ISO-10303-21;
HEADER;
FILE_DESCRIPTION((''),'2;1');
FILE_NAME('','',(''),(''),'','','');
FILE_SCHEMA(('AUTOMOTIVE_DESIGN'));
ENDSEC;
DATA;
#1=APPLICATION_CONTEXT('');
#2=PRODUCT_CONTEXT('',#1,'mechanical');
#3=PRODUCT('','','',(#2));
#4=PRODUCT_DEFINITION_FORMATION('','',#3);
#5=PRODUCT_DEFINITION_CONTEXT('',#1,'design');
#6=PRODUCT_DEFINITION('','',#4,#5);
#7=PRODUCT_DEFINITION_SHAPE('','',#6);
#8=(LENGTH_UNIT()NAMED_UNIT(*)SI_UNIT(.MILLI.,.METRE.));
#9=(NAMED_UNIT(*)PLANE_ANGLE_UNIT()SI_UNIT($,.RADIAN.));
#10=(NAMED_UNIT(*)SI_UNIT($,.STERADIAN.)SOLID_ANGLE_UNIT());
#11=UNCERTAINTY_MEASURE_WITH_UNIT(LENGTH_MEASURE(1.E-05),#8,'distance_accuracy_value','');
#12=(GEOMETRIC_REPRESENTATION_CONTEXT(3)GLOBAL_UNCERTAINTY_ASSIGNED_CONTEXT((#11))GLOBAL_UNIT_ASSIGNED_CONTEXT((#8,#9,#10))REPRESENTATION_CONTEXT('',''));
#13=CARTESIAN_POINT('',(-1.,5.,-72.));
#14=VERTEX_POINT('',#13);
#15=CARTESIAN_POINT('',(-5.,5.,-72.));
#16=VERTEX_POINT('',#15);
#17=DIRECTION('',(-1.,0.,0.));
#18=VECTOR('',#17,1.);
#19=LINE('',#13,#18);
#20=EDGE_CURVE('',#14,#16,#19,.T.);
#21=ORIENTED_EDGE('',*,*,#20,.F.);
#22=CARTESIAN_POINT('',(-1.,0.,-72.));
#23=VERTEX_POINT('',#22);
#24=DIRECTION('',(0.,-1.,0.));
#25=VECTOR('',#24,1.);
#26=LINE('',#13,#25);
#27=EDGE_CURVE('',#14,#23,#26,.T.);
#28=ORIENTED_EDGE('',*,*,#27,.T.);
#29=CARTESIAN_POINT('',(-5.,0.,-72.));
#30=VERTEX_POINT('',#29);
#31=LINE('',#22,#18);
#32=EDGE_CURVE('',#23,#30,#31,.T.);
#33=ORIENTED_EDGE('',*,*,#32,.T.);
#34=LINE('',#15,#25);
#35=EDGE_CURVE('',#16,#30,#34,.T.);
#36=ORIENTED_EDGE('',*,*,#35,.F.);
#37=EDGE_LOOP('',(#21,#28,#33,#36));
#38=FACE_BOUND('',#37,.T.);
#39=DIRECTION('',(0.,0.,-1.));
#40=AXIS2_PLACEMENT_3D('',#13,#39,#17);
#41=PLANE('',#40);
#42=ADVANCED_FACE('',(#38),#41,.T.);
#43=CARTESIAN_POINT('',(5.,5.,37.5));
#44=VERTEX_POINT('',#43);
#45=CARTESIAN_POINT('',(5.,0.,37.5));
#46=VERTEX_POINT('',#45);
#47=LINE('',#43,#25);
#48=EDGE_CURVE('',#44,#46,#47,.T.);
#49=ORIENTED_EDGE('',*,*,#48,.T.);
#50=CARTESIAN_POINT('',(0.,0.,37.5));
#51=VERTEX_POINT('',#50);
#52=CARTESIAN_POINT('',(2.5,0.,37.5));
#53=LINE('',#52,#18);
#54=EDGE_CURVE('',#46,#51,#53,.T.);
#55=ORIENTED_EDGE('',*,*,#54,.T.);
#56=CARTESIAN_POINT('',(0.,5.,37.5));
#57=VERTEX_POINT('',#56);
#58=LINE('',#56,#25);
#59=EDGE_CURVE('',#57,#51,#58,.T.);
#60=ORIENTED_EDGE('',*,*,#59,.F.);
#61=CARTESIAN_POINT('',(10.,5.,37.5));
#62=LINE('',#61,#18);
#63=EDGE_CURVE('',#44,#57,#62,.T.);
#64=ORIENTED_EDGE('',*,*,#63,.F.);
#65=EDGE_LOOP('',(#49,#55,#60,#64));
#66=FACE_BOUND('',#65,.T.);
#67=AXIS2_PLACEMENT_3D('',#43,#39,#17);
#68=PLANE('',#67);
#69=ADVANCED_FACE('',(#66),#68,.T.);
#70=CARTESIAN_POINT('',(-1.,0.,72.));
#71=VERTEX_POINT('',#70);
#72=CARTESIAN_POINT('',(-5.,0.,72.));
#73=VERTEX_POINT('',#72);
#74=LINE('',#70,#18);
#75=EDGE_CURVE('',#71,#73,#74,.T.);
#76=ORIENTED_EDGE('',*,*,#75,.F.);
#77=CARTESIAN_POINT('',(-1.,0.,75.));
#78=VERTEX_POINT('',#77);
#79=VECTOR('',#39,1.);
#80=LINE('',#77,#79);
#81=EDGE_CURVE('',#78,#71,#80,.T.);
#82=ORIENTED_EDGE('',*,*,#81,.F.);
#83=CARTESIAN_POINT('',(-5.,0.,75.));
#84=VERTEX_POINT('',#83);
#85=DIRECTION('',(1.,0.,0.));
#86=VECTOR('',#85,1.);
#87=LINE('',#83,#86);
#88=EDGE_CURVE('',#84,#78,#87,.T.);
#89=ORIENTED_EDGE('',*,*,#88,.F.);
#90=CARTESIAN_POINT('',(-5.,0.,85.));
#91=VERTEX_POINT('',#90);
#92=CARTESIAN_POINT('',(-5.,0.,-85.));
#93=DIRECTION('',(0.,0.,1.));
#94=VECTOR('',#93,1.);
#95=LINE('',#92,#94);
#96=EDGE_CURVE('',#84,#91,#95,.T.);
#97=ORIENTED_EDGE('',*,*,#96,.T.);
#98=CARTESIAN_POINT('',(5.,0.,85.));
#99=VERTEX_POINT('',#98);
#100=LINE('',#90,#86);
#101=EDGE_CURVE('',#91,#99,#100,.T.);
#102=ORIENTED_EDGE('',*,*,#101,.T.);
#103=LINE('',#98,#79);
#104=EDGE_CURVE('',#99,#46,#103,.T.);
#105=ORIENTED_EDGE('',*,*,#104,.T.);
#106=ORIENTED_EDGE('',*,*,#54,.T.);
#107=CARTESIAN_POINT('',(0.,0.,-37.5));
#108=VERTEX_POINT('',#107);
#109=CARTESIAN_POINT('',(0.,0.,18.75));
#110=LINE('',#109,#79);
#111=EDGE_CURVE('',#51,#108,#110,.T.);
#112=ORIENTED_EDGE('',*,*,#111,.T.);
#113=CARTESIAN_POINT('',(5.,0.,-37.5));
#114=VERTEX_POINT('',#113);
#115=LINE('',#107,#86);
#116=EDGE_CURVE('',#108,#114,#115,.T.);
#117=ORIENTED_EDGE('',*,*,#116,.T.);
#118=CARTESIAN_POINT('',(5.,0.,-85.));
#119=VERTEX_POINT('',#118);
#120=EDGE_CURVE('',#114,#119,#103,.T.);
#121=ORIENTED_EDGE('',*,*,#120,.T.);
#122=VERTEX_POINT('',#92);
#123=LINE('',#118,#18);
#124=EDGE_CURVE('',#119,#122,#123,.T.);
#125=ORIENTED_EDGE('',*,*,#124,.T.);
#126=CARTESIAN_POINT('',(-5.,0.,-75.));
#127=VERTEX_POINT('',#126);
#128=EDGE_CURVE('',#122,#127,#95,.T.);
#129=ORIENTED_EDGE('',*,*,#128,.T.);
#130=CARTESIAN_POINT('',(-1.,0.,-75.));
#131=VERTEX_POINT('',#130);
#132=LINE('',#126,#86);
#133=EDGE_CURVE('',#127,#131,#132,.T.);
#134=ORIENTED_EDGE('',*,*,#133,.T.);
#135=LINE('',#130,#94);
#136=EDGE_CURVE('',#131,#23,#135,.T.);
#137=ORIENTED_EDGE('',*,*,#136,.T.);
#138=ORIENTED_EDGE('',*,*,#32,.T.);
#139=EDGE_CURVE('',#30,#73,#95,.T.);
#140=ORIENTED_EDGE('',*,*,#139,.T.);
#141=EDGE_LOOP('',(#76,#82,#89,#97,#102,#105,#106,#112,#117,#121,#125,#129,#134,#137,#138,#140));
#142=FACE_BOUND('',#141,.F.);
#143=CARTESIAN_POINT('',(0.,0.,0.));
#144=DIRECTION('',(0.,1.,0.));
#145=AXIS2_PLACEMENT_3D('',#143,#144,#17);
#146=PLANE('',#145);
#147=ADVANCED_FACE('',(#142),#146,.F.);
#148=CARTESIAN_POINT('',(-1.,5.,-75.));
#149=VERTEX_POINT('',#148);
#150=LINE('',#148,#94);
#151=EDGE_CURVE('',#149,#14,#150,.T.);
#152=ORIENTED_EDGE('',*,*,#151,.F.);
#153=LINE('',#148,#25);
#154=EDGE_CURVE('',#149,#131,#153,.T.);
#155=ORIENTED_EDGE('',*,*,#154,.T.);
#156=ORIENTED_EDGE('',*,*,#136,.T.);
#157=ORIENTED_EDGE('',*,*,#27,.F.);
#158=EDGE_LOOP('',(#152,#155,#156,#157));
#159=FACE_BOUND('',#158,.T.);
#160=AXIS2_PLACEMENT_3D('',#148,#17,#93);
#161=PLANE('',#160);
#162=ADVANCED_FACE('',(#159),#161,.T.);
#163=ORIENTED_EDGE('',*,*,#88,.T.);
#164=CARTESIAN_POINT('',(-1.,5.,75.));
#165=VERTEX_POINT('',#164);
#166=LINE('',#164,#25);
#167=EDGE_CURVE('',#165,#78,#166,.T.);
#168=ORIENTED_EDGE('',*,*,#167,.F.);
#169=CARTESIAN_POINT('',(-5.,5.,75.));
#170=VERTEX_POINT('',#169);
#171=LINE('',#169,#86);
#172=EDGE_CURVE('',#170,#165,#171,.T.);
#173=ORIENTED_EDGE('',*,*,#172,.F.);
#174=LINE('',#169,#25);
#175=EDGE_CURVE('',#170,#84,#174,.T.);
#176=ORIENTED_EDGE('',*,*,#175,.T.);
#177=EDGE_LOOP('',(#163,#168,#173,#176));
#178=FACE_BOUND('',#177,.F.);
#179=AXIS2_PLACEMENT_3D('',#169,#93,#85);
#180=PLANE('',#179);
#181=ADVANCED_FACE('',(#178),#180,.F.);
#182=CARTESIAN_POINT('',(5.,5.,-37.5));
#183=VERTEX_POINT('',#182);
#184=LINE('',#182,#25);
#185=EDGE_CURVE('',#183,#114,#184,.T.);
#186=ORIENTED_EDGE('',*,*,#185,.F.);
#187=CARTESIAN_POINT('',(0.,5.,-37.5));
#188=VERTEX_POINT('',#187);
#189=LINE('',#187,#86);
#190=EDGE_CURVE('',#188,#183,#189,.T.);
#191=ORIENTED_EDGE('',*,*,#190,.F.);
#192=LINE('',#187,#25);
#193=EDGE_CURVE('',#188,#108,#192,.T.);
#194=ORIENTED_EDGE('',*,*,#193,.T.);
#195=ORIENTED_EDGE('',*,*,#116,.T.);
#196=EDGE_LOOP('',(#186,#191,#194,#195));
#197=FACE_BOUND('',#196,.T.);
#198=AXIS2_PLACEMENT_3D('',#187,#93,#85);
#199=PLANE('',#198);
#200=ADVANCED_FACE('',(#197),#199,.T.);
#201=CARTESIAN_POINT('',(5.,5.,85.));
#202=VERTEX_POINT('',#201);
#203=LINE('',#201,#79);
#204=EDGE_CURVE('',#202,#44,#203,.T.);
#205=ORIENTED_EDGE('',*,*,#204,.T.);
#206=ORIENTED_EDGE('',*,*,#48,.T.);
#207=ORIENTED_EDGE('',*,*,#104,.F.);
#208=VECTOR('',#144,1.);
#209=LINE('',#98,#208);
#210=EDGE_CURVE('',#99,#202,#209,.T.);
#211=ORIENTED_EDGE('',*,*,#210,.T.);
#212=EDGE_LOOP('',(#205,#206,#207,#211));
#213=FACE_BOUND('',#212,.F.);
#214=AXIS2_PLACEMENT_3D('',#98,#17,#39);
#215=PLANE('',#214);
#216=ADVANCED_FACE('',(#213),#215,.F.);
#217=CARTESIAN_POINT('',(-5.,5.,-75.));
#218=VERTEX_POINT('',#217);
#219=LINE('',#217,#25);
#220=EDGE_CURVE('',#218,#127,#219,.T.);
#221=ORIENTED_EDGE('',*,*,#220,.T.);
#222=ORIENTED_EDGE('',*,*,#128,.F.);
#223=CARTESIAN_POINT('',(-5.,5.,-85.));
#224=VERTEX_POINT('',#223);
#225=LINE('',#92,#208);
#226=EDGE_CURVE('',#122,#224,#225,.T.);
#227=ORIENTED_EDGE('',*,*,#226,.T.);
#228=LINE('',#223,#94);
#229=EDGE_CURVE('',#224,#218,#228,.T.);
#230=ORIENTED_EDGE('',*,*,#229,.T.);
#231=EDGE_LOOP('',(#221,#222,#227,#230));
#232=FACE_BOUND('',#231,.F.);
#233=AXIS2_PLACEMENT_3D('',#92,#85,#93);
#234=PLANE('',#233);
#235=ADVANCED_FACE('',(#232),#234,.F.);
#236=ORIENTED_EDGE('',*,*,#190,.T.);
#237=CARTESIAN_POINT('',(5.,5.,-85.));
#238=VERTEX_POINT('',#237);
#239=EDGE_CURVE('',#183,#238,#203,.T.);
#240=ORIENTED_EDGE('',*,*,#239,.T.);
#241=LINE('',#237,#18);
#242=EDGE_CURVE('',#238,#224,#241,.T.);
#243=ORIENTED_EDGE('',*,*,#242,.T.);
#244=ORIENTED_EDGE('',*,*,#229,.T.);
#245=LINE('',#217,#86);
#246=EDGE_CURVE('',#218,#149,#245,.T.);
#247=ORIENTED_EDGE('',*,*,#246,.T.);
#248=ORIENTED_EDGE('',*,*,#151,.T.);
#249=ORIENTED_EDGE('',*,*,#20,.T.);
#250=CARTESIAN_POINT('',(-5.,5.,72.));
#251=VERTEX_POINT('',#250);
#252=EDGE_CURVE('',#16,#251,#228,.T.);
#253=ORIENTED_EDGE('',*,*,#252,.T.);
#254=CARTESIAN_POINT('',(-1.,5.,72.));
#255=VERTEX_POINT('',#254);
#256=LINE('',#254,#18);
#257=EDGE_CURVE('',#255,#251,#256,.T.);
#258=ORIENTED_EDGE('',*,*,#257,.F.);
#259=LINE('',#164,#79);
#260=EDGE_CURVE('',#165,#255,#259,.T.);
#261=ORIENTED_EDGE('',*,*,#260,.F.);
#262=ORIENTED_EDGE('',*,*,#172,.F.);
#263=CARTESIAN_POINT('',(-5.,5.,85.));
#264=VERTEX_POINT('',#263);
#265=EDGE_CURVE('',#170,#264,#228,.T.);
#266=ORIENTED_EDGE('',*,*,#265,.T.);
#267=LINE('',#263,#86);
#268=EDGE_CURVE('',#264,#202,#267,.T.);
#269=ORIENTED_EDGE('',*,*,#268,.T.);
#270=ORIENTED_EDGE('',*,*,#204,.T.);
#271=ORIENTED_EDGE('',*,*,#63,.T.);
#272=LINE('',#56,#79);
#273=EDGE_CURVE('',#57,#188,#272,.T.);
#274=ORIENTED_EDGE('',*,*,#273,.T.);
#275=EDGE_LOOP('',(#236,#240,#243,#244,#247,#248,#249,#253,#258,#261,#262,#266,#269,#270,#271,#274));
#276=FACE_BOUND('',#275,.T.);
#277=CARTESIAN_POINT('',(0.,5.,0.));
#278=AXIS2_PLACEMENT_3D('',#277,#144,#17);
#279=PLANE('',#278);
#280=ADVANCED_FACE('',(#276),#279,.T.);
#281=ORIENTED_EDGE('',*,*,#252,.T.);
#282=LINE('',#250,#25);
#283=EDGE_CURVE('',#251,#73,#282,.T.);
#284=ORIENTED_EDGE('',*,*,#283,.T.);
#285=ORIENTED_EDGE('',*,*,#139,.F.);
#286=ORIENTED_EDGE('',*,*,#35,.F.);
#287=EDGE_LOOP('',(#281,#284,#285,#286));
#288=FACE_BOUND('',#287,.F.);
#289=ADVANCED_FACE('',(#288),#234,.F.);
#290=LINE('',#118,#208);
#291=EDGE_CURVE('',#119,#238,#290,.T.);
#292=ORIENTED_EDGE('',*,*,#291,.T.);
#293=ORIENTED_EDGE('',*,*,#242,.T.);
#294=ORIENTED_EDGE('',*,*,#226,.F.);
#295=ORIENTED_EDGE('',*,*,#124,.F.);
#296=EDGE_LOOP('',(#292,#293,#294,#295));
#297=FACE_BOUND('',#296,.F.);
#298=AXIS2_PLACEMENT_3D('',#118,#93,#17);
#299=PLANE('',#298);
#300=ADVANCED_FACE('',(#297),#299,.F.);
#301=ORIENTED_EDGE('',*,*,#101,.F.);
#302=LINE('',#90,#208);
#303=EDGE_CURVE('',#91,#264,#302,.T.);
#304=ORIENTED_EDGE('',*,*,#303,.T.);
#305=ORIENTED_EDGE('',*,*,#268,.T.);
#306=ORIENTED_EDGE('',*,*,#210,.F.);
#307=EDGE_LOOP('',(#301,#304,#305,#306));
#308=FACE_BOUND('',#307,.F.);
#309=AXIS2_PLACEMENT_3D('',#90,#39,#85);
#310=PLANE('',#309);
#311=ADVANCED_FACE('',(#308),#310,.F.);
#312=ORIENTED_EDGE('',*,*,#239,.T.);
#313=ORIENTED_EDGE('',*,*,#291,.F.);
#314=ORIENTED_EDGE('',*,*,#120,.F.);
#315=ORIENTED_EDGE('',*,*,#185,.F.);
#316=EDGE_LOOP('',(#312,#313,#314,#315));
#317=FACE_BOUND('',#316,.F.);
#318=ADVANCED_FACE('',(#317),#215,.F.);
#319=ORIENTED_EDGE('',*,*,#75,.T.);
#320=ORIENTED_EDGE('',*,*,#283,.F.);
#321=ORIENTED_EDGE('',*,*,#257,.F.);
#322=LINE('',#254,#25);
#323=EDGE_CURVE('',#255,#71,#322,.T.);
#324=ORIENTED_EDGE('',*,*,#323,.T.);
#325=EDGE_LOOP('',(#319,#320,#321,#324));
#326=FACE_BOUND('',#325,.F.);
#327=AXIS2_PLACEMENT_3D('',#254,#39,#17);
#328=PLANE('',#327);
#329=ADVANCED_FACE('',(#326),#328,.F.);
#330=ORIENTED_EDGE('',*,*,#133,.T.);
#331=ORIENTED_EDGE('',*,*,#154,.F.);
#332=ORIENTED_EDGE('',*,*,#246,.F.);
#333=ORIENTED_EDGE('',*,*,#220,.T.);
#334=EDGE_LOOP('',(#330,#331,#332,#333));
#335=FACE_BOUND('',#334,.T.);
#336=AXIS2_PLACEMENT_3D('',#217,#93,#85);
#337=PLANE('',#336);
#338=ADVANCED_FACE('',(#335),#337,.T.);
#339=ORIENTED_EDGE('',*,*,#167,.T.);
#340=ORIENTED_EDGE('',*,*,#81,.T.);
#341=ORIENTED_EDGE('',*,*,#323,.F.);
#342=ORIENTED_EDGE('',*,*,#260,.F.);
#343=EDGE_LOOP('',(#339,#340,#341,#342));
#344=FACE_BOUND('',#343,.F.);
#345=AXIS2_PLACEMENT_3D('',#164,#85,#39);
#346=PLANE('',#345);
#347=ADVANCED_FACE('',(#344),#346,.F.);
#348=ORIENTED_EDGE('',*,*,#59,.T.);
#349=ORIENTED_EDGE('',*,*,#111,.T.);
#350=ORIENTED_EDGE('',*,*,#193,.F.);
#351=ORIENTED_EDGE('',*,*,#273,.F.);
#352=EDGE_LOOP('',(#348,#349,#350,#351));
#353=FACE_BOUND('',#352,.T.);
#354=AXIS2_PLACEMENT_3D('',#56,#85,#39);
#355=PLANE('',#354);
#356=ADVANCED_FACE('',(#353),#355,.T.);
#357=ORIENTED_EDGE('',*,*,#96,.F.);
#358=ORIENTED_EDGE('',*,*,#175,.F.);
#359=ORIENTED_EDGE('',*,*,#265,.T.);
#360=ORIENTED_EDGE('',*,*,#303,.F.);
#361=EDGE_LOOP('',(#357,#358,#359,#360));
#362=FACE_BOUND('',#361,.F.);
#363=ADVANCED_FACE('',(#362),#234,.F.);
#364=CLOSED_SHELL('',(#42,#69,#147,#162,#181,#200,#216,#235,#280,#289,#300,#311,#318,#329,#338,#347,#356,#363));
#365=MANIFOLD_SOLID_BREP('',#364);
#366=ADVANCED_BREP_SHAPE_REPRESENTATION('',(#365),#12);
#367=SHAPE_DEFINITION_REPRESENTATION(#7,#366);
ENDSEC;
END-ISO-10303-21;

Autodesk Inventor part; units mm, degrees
ref_plane "YZ Plane" through (0, 0, 0) normal (1, 0, 0) x (0, 1, 0)
ref_plane "XZ Plane" through (0, 0, 0) normal (0, 1, 0) x (-1, 0, 0)
ref_plane "XY Plane" through (0, 0, 0) normal (0, 0, 1) x (1, 0, 0)
sketch "Sketch1" plane through (0, 0, 0) normal (0, 1, 0) x (-1, 0, 0)
  line L0 (5, 85) -> (-5, 85)
  line L1 (-5, 85) -> (-5, -85)
  line L2 (-5, -85) -> (5, -85)
  line L3 (5, -85) -> (5, 85)
  line L4 (5, 85) -> (-5, -85) construction
  line L5 (-5, 85) -> (5, -85) construction
  point P0 (0, 0)
  dimension "d0" = 170
  dimension "d1" = 10
extrude "Extrusion1" add sketch "Sketch1" along normal blind 5
sketch "Sketch2" plane through (0, 5, 0) normal (0, 1, 0) x (1, 0, 0)
  line L0 (-5, 85) -> (-5, -85) projected
  line L1 (-5, -75) -> (-1, -75)
  line L2 (-1, -75) -> (-1, -72)
  line L3 (-1, -72) -> (-5, -72)
  line L4 (-5, -72) -> (-5, -75)
  line L5 (-5, -85) -> (5, -85) projected
  line L6 (5, 0) -> (-5, 0) construction
  line L7 (-5, 75) -> (-1, 75)
  line L8 (-1, 75) -> (-1, 72)
  line L9 (-1, 72) -> (-5, 72)
  line L10 (-5, 72) -> (-5, 75)
  point P0 (0, 0)
  point P1 (-5, 75)
  point P2 (-5, 72)
  dimension "d4" = 3
  dimension "d5" = 4
  dimension "d6" = 10
extrude "Extrusion2" cut sketch "Sketch2" against normal blind 5
sketch "Sketch3" plane through (0, 5, 0) normal (0, 1, 0) x (1, 0, 0)
  line L0 (0, 37.5) -> (10, 37.5)
  line L1 (10, 37.5) -> (10, -37.5)
  line L2 (10, -37.5) -> (0, -37.5)
  line L3 (0, -37.5) -> (0, 37.5)
  line L4 (5, -85) -> (5, 85) projected
  line L5 (0, 37.5) -> (10, -37.5) construction
  line L6 (10, 37.5) -> (0, -37.5) construction
  point P0 (0, 0)
  point P1 (5, 0)
  point P2 (5, -37.5)
  point P3 (5, 37.5)
  dimension "d9" = 75
  dimension "d10" = 5
extrude "Extrusion3" cut sketch "Sketch3" against normal blind 10 contours L0 L4 L2 L3
properties part number "Gel top"
